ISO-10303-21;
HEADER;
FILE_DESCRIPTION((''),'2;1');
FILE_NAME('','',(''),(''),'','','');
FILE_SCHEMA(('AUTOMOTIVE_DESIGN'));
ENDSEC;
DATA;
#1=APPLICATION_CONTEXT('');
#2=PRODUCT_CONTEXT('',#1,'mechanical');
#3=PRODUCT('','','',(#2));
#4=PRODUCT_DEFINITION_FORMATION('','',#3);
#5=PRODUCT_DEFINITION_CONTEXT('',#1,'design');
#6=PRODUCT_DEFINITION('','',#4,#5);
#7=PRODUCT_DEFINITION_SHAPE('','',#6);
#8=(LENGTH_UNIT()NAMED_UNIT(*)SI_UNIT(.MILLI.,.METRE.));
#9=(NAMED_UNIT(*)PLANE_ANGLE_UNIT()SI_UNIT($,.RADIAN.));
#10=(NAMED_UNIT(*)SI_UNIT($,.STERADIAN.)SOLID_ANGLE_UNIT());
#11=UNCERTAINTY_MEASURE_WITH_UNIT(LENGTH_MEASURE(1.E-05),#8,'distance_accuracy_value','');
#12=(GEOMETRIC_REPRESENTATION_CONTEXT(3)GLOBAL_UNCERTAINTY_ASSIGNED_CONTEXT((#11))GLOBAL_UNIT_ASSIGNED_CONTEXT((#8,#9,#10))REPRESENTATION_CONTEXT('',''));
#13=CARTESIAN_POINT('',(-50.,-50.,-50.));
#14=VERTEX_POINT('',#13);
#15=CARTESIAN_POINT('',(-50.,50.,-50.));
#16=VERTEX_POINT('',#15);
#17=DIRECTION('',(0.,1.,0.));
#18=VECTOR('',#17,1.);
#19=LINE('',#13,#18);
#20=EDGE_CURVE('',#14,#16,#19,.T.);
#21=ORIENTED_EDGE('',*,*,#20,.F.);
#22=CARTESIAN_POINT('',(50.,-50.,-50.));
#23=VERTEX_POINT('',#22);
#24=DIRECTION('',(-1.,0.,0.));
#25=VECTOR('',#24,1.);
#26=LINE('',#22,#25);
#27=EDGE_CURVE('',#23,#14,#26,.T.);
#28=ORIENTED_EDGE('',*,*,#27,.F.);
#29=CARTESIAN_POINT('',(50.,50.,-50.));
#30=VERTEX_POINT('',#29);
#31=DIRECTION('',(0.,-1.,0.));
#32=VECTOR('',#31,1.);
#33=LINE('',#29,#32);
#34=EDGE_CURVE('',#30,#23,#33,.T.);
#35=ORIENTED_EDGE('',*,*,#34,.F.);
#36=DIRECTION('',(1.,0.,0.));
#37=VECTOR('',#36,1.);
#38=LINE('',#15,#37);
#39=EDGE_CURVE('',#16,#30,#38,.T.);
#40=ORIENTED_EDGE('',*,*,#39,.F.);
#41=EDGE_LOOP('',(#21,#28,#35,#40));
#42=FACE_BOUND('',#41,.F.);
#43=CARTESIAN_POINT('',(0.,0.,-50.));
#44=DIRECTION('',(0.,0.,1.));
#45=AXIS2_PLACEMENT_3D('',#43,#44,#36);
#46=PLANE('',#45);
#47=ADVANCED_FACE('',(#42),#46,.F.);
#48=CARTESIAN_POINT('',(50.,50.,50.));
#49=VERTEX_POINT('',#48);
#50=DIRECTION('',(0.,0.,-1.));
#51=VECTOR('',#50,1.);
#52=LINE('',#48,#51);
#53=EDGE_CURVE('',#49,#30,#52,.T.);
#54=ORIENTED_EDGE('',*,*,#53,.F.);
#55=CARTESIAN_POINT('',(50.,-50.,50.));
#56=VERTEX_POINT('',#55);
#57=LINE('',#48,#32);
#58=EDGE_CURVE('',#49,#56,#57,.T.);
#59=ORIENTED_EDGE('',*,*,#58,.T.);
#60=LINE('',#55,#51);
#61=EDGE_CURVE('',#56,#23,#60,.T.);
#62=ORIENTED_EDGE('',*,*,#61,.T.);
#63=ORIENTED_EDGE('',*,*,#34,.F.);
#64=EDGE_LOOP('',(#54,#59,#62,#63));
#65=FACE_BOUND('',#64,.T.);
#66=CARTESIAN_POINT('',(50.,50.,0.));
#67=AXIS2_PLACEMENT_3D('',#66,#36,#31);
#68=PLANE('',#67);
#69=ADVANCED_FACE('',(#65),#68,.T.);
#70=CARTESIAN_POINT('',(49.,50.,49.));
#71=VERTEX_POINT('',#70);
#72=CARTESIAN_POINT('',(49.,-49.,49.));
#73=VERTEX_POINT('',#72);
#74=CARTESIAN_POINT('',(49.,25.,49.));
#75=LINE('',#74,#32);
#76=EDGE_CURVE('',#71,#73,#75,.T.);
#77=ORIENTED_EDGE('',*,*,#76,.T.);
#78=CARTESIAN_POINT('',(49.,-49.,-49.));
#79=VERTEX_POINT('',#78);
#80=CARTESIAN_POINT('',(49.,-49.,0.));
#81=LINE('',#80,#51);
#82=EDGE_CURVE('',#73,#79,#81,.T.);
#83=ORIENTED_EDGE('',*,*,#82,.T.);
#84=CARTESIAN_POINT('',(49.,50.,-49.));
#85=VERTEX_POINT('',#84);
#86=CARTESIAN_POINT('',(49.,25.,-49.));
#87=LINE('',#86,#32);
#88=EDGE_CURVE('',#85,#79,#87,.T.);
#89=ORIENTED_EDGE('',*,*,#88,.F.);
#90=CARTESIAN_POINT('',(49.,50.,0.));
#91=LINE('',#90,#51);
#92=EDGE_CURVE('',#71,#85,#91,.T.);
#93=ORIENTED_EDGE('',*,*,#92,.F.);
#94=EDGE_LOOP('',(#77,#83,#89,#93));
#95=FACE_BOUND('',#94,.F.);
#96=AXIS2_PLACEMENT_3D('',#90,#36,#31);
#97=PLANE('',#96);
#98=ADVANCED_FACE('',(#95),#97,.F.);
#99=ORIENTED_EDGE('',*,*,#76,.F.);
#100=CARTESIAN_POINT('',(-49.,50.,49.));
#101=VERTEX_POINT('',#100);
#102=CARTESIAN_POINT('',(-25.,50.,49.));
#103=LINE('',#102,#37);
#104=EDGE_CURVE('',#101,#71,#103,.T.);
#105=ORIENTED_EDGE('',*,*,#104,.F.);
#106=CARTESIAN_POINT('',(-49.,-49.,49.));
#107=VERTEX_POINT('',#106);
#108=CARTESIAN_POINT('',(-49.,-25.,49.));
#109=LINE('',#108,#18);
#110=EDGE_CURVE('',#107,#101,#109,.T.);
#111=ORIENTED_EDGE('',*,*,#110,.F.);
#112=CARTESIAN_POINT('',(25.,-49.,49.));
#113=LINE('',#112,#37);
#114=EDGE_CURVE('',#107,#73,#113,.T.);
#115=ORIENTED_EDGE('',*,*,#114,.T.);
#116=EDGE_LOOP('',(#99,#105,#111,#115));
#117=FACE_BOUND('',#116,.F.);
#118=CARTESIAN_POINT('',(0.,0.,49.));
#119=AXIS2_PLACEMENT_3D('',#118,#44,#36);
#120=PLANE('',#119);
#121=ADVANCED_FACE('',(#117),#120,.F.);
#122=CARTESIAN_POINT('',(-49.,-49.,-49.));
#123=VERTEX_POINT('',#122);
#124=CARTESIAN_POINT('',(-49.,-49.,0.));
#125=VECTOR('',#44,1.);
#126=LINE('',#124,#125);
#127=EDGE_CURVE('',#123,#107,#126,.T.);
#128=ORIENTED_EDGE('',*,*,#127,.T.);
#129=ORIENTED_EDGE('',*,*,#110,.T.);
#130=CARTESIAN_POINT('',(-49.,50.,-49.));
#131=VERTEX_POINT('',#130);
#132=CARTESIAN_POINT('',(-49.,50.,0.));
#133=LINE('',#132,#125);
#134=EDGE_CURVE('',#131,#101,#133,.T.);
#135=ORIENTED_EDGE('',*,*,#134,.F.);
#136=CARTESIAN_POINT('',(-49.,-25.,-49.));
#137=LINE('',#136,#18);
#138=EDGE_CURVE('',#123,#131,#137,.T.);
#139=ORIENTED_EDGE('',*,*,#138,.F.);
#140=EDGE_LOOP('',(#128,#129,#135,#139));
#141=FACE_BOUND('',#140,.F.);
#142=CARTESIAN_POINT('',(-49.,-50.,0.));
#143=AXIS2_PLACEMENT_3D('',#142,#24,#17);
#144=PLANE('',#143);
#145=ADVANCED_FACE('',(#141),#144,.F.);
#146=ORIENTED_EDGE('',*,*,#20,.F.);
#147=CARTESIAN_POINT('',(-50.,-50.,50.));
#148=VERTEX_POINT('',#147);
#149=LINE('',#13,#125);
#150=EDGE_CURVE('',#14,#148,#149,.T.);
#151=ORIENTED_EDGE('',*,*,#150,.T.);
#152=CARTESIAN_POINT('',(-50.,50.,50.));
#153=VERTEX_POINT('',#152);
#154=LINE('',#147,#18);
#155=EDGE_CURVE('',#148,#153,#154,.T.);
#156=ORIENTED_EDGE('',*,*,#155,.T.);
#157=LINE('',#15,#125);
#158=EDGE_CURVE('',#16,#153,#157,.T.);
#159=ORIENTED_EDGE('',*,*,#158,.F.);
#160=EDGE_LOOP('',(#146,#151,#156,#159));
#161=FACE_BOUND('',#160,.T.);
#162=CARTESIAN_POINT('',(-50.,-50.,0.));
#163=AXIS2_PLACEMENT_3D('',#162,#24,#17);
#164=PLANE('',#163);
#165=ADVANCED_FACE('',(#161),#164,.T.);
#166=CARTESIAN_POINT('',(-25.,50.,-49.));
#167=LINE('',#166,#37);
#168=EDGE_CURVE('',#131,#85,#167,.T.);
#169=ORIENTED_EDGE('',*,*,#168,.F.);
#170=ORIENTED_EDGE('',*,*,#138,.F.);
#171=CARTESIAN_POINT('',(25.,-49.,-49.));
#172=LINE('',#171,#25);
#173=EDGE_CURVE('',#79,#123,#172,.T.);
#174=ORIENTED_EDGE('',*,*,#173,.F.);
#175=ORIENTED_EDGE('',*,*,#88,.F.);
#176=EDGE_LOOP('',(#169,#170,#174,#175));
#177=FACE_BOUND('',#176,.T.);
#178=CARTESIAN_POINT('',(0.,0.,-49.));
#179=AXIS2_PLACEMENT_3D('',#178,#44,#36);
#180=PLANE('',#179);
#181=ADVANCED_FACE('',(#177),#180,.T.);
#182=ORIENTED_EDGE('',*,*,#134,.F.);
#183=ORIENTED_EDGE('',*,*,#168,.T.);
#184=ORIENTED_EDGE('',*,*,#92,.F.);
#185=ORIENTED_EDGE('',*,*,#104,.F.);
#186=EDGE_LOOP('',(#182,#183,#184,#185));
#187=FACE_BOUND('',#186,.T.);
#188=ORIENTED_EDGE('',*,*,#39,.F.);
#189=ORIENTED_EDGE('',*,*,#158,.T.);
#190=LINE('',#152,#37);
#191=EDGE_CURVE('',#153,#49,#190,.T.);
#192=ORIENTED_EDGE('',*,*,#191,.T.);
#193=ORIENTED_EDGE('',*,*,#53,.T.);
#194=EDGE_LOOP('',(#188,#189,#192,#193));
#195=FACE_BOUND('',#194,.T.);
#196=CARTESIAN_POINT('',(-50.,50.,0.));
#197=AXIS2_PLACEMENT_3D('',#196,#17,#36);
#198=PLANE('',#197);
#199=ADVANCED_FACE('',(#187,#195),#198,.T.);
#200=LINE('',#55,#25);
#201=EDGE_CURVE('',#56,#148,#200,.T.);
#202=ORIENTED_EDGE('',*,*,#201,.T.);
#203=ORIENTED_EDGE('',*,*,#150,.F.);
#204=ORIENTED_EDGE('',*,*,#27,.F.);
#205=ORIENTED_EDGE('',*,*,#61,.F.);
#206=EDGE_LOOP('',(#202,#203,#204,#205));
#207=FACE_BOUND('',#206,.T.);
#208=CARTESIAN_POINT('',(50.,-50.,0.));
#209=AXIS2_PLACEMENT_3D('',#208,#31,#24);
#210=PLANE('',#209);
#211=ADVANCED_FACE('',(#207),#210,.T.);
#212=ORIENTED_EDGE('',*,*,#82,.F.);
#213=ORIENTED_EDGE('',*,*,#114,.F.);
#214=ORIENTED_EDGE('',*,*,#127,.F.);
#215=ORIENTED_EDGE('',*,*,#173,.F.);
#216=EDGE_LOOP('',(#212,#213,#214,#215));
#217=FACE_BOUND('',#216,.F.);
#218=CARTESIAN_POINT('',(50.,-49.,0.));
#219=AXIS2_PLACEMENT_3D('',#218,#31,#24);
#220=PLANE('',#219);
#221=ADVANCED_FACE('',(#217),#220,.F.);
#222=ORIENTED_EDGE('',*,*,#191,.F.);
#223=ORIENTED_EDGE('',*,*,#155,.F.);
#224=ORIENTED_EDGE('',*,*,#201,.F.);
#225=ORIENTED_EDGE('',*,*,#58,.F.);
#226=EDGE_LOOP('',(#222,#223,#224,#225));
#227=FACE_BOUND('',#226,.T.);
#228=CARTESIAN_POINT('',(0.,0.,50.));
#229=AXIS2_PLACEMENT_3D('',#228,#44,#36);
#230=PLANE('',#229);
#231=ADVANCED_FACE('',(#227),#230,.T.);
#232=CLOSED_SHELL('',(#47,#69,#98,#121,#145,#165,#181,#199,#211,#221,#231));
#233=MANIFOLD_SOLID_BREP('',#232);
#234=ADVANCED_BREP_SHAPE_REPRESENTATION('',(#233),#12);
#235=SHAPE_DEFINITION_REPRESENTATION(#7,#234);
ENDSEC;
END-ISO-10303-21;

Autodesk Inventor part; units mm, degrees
ref_plane "YZ Plane" through (0, 0, 0) normal (1, 0, 0) x (0, 1, 0)
ref_plane "XZ Plane" through (0, 0, 0) normal (0, 1, 0) x (-1, 0, 0)
ref_plane "XY Plane" through (0, 0, 0) normal (0, 0, 1) x (1, 0, 0)
sketch "Sketch1" plane through (0, 0, 0) normal (0, 0, 1) x (1, 0, 0)
  line L0 (-50, 50) -> (50, 50)
  line L1 (50, 50) -> (50, -50)
  line L2 (50, -50) -> (-50, -50)
  line L3 (-50, -50) -> (-50, 50)
  line L4 (-50, 50) -> (50, -50) construction
  line L5 (50, 50) -> (-50, -50) construction
  point P0 (0, 0)
  dimension "d0" = 100
  dimension "d1" = 100
extrude "Extrusion1" add sketch "Sketch1" along normal mid plane 100
shell "Shell1" thickness 1 removed faces 1 at (16.6667, 50, -16.6667)
properties part number "test"
